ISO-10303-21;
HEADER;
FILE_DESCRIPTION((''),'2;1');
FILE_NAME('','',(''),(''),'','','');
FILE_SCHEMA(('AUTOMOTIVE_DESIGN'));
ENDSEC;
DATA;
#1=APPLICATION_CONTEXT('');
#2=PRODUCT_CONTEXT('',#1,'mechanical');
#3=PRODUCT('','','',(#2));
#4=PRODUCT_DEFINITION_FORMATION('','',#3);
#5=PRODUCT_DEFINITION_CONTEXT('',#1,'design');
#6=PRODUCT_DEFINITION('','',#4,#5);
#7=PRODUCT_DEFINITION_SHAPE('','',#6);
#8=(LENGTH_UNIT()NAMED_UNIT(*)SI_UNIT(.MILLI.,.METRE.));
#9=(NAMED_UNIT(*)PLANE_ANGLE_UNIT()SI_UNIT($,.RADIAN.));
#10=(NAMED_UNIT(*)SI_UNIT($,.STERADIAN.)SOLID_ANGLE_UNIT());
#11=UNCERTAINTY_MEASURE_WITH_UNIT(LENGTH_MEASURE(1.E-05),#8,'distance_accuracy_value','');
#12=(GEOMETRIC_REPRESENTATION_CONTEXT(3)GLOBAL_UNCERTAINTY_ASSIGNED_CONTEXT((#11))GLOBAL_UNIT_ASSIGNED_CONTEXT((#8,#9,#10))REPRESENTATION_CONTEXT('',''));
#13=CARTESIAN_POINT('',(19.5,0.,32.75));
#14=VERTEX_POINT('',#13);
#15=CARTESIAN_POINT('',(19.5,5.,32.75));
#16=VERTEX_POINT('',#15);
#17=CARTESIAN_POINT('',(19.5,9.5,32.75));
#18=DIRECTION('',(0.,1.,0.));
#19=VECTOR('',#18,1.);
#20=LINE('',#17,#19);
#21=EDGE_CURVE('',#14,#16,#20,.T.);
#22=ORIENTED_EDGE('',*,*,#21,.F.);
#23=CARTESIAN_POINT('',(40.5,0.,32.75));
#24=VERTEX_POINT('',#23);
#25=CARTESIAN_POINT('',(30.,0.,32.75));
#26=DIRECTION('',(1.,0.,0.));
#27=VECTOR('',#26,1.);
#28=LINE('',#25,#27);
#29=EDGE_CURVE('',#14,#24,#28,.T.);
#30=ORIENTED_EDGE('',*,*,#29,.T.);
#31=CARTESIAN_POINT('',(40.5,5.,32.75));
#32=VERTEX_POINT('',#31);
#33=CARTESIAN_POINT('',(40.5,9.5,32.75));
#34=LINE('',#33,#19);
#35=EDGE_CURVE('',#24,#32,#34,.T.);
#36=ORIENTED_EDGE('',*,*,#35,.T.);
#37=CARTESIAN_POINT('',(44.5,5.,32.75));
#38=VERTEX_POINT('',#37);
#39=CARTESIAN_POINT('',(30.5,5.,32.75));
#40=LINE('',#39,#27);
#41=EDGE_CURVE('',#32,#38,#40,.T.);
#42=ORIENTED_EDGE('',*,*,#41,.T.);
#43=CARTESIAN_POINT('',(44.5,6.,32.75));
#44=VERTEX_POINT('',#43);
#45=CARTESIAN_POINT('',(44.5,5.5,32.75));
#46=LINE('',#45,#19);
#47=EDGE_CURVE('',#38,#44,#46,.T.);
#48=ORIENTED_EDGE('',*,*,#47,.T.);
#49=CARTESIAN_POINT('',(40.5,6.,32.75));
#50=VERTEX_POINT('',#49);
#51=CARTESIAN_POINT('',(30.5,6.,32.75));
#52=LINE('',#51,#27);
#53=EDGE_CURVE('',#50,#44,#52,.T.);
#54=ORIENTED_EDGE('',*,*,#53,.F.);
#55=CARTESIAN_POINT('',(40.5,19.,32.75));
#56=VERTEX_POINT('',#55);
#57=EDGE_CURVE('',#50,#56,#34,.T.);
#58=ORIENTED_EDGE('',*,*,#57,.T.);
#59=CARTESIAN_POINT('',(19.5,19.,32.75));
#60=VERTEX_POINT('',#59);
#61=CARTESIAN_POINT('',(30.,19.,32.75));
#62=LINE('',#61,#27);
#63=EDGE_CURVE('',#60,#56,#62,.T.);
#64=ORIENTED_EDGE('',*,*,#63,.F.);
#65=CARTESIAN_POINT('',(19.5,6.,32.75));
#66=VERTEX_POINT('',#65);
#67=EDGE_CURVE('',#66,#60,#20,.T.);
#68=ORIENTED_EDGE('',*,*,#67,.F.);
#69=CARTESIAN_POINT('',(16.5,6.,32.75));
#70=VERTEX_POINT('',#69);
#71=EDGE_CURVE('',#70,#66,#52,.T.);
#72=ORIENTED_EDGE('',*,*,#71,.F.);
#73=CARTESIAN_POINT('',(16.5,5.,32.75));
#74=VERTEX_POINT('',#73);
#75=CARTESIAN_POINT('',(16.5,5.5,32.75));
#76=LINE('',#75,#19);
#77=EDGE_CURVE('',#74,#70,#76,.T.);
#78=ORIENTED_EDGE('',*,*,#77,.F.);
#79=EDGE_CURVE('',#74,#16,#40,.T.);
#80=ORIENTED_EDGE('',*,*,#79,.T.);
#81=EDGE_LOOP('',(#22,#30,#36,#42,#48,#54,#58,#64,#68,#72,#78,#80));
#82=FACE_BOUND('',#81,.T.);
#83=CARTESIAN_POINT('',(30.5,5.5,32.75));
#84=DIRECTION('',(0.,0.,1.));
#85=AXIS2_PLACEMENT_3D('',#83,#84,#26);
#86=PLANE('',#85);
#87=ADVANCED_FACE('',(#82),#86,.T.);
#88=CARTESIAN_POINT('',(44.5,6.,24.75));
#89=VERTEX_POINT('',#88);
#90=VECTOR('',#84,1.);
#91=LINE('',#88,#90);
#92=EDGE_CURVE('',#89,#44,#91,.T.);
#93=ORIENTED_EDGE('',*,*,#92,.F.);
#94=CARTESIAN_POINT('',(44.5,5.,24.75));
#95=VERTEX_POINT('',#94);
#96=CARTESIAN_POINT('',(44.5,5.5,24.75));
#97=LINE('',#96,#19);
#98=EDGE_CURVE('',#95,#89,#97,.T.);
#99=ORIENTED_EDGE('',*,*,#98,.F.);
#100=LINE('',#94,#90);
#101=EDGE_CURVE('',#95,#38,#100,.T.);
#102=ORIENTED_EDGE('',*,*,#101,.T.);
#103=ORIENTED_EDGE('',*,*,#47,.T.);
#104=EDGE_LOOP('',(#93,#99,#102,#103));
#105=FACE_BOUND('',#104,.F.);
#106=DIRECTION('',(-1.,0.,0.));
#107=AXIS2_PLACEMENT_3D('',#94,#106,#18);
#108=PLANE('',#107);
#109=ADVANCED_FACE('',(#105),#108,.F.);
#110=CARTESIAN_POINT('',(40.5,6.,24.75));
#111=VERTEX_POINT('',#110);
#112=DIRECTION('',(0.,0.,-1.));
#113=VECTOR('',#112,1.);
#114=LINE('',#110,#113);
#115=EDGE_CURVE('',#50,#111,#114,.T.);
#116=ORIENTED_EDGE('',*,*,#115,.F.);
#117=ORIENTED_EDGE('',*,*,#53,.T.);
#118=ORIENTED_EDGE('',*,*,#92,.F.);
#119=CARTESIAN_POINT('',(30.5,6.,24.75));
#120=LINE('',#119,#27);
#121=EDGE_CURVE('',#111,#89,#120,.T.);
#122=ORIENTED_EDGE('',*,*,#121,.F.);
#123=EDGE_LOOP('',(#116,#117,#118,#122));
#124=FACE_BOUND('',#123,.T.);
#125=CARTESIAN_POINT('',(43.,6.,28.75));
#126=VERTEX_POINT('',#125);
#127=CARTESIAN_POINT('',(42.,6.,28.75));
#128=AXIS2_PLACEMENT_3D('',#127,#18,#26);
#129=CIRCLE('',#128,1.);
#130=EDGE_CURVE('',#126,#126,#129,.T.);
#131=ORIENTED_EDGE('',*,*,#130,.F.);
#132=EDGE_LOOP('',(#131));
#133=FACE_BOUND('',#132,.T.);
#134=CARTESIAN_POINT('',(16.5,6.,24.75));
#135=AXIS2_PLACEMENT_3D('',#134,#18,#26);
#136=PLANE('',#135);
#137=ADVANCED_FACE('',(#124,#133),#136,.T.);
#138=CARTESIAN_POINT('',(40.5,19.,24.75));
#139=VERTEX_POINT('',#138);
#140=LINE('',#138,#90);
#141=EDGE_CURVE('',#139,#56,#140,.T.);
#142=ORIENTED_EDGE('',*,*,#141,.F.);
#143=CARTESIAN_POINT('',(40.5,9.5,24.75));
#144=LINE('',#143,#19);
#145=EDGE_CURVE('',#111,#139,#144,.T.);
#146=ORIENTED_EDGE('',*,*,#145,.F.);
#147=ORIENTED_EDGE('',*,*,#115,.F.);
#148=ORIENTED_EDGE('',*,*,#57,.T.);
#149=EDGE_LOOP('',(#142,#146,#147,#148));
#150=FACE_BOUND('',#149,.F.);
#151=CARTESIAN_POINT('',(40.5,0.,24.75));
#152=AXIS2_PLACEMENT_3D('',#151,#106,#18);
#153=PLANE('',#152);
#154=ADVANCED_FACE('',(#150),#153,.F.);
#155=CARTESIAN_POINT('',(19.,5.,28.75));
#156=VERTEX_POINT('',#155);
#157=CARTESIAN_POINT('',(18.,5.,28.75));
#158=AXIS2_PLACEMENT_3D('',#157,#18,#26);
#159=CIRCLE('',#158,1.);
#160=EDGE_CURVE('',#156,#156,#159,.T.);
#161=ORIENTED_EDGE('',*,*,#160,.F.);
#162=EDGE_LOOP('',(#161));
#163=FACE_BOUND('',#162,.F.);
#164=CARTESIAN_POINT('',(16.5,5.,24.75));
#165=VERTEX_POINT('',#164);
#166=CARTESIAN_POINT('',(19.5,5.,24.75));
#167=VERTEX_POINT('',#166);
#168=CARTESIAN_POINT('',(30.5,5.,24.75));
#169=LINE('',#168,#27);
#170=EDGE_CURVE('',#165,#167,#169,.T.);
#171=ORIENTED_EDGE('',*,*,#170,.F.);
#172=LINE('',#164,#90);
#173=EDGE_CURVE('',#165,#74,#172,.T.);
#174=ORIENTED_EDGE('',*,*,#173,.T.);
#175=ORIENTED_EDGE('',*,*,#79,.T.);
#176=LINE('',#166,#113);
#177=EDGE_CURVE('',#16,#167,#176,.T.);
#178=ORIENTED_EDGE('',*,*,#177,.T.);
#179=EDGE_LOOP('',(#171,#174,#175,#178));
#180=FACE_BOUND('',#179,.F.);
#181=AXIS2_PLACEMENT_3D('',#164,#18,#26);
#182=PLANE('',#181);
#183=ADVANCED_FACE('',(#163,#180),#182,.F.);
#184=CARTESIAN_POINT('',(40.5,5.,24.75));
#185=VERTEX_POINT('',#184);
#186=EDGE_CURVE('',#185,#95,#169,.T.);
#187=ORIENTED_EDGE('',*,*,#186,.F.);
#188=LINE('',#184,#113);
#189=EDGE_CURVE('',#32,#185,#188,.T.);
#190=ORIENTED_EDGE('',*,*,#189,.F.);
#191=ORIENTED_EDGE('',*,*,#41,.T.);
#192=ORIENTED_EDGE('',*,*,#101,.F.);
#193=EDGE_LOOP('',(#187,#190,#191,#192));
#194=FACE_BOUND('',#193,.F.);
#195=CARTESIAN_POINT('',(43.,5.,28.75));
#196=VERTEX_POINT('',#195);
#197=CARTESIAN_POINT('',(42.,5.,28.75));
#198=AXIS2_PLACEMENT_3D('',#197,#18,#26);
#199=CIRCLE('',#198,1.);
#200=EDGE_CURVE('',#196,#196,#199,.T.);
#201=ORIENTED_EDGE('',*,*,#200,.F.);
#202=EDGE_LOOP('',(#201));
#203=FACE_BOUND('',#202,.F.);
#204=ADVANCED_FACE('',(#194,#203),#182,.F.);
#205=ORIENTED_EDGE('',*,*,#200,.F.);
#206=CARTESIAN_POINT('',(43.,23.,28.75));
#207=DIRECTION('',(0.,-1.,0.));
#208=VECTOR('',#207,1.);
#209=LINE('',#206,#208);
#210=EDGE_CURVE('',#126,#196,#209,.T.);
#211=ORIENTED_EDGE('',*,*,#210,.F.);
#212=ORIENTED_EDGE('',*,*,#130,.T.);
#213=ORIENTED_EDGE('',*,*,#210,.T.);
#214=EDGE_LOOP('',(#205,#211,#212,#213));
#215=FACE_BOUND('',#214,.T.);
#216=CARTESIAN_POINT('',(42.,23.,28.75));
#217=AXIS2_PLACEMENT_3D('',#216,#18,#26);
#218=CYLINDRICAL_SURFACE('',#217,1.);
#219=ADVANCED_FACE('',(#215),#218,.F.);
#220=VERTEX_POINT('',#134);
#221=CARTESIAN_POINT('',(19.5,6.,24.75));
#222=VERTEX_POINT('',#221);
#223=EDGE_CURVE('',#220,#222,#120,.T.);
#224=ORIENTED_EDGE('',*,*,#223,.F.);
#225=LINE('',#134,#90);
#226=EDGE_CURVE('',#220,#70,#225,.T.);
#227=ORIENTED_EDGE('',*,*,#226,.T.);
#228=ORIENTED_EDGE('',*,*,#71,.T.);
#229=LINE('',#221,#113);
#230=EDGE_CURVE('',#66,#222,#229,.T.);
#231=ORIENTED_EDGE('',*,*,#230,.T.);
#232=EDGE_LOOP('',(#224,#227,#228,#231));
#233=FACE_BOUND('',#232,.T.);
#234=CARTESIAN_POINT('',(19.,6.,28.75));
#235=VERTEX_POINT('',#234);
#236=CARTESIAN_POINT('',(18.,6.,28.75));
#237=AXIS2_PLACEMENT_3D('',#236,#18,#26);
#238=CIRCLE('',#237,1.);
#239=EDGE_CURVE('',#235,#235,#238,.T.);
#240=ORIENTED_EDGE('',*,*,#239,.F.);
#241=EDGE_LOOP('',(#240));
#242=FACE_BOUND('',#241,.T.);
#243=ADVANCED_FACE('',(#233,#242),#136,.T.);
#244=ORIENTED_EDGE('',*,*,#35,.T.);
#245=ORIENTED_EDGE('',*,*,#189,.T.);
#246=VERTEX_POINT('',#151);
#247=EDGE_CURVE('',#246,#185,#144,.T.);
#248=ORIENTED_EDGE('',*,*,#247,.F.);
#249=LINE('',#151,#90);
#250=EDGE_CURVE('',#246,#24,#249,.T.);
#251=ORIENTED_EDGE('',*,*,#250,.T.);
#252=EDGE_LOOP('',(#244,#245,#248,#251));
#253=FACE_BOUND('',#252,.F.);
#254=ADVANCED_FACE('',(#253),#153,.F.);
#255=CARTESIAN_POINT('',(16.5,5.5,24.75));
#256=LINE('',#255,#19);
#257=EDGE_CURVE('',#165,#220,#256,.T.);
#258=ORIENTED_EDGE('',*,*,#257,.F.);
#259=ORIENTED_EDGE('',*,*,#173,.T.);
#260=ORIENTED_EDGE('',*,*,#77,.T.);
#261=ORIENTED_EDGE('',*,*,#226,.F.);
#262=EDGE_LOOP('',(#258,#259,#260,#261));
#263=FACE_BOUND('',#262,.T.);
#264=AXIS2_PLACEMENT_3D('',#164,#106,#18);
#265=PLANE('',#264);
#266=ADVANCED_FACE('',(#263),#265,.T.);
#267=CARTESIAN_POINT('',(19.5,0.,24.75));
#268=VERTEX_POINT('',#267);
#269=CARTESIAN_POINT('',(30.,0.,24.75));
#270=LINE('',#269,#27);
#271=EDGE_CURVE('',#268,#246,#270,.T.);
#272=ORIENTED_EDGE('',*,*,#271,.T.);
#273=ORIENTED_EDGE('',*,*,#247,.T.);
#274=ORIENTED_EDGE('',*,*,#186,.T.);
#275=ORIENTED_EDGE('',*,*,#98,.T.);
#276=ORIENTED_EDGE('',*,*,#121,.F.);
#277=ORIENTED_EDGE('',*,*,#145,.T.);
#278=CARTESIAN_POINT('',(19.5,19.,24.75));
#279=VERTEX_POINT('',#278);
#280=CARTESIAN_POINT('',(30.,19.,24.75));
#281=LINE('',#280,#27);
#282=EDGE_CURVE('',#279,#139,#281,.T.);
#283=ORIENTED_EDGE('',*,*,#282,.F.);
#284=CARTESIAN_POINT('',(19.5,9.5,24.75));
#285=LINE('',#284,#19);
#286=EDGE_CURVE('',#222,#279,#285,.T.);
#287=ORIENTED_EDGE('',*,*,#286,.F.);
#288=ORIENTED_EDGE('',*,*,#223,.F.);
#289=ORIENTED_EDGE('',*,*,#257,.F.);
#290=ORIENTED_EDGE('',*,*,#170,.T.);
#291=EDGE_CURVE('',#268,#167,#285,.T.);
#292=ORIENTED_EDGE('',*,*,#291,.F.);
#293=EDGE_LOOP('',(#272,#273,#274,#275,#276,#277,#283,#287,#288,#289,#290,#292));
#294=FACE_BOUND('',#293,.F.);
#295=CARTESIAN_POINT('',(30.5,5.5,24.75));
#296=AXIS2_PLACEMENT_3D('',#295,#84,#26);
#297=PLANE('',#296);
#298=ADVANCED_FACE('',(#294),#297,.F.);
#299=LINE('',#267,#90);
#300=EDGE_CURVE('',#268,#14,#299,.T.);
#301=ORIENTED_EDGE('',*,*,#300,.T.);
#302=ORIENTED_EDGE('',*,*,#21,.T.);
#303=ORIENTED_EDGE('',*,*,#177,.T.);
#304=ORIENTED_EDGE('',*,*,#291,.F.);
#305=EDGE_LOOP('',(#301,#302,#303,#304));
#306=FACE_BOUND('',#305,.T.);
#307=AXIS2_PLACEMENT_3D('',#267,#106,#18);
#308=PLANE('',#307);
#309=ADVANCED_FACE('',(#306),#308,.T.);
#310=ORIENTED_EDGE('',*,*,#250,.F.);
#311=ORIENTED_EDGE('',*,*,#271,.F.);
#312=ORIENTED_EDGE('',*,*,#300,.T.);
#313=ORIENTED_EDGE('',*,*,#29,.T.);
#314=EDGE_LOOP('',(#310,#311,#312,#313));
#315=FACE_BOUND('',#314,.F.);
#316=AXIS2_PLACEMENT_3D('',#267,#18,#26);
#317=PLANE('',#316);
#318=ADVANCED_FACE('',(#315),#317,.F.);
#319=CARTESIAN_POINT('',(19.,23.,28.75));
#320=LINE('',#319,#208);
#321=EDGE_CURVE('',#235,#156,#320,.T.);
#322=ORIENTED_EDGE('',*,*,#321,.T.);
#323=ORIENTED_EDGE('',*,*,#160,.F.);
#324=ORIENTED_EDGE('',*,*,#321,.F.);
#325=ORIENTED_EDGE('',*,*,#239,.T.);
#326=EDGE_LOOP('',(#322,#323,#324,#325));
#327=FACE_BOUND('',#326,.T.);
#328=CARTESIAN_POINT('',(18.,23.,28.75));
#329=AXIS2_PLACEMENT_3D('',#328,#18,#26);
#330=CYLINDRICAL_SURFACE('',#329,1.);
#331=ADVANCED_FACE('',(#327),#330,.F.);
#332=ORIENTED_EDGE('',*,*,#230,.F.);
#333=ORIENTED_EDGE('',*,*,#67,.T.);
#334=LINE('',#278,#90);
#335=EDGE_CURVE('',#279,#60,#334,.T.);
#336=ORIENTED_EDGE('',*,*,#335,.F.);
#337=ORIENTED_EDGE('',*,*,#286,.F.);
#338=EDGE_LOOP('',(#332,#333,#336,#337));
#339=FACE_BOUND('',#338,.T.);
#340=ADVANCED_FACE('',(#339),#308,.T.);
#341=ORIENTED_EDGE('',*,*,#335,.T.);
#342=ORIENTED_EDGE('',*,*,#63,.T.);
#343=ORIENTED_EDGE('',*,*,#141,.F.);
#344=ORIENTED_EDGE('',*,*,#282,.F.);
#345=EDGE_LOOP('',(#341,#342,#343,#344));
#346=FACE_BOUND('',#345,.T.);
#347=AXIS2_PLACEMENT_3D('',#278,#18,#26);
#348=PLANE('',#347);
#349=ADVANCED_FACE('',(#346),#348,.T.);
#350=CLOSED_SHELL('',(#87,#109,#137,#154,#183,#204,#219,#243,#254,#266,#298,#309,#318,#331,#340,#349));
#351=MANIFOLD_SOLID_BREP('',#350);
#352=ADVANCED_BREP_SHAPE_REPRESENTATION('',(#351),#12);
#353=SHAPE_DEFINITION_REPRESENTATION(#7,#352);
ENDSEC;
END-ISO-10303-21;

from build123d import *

# Parameters (mm, degrees)
CYLINDER323_R     = 1
CYLINDER323_DEPTH = 20
CYLINDER324_R     = 1
CYLINDER324_DEPTH = 20
BOX238_W          = 28
BOX238_H          = 1
BOX238_DEPTH      = 8
BOX237_W          = 21
BOX237_H          = 19
BOX237_DEPTH      = 8


with BuildPart() as zylinder325:
    # Cylinder323 → Cylinder323 (new body)
    with BuildSketch(Plane(origin=(22.5, 23, 30.5), x_dir=(1, 0, 0), z_dir=(0, -1, 0))):
        Circle(CYLINDER323_R)
    extrude(amount=CYLINDER323_DEPTH)


with BuildPart() as fusion215:
    # Cylinder324 → Cylinder324 (new body)
    with BuildSketch(Plane(origin=(-1.5, 23, 30.5), x_dir=(1, 0, 0), z_dir=(0, -1, 0))):
        Circle(CYLINDER324_R)
    extrude(amount=CYLINDER324_DEPTH)

    # Fusion215: union Zylinder325
    add(zylinder325.part)


with BuildPart() as w_rfel225:
    # Box238 → Box238 (new body)
    with BuildSketch(Plane(origin=(-3, 5, 26.5), x_dir=(1, 0, 0), z_dir=(0, 0, 1))):
        with Locations((14, 0.5)):
            Rectangle(BOX238_W, BOX238_H)
    extrude(amount=BOX238_DEPTH)


with BuildPart() as miniservo:
    # Box237 → Box237 (new body)
    with BuildSketch(Plane.XY.offset(26.5)):
        with Locations((10.5, 9.5)):
            Rectangle(BOX237_W, BOX237_H)
    extrude(amount=BOX237_DEPTH)

    # Fusion214: union Würfel225
    add(w_rfel225.part)

    # Cut148: cut Fusion215
    add(fusion215.part, mode=Mode.SUBTRACT)


with BuildPart() as miniservo_1:
    # Cut148 placement: moved
    add(miniservo.part.moved(Location((19.5, 0, -1.75))))


solid = miniservo_1.part
